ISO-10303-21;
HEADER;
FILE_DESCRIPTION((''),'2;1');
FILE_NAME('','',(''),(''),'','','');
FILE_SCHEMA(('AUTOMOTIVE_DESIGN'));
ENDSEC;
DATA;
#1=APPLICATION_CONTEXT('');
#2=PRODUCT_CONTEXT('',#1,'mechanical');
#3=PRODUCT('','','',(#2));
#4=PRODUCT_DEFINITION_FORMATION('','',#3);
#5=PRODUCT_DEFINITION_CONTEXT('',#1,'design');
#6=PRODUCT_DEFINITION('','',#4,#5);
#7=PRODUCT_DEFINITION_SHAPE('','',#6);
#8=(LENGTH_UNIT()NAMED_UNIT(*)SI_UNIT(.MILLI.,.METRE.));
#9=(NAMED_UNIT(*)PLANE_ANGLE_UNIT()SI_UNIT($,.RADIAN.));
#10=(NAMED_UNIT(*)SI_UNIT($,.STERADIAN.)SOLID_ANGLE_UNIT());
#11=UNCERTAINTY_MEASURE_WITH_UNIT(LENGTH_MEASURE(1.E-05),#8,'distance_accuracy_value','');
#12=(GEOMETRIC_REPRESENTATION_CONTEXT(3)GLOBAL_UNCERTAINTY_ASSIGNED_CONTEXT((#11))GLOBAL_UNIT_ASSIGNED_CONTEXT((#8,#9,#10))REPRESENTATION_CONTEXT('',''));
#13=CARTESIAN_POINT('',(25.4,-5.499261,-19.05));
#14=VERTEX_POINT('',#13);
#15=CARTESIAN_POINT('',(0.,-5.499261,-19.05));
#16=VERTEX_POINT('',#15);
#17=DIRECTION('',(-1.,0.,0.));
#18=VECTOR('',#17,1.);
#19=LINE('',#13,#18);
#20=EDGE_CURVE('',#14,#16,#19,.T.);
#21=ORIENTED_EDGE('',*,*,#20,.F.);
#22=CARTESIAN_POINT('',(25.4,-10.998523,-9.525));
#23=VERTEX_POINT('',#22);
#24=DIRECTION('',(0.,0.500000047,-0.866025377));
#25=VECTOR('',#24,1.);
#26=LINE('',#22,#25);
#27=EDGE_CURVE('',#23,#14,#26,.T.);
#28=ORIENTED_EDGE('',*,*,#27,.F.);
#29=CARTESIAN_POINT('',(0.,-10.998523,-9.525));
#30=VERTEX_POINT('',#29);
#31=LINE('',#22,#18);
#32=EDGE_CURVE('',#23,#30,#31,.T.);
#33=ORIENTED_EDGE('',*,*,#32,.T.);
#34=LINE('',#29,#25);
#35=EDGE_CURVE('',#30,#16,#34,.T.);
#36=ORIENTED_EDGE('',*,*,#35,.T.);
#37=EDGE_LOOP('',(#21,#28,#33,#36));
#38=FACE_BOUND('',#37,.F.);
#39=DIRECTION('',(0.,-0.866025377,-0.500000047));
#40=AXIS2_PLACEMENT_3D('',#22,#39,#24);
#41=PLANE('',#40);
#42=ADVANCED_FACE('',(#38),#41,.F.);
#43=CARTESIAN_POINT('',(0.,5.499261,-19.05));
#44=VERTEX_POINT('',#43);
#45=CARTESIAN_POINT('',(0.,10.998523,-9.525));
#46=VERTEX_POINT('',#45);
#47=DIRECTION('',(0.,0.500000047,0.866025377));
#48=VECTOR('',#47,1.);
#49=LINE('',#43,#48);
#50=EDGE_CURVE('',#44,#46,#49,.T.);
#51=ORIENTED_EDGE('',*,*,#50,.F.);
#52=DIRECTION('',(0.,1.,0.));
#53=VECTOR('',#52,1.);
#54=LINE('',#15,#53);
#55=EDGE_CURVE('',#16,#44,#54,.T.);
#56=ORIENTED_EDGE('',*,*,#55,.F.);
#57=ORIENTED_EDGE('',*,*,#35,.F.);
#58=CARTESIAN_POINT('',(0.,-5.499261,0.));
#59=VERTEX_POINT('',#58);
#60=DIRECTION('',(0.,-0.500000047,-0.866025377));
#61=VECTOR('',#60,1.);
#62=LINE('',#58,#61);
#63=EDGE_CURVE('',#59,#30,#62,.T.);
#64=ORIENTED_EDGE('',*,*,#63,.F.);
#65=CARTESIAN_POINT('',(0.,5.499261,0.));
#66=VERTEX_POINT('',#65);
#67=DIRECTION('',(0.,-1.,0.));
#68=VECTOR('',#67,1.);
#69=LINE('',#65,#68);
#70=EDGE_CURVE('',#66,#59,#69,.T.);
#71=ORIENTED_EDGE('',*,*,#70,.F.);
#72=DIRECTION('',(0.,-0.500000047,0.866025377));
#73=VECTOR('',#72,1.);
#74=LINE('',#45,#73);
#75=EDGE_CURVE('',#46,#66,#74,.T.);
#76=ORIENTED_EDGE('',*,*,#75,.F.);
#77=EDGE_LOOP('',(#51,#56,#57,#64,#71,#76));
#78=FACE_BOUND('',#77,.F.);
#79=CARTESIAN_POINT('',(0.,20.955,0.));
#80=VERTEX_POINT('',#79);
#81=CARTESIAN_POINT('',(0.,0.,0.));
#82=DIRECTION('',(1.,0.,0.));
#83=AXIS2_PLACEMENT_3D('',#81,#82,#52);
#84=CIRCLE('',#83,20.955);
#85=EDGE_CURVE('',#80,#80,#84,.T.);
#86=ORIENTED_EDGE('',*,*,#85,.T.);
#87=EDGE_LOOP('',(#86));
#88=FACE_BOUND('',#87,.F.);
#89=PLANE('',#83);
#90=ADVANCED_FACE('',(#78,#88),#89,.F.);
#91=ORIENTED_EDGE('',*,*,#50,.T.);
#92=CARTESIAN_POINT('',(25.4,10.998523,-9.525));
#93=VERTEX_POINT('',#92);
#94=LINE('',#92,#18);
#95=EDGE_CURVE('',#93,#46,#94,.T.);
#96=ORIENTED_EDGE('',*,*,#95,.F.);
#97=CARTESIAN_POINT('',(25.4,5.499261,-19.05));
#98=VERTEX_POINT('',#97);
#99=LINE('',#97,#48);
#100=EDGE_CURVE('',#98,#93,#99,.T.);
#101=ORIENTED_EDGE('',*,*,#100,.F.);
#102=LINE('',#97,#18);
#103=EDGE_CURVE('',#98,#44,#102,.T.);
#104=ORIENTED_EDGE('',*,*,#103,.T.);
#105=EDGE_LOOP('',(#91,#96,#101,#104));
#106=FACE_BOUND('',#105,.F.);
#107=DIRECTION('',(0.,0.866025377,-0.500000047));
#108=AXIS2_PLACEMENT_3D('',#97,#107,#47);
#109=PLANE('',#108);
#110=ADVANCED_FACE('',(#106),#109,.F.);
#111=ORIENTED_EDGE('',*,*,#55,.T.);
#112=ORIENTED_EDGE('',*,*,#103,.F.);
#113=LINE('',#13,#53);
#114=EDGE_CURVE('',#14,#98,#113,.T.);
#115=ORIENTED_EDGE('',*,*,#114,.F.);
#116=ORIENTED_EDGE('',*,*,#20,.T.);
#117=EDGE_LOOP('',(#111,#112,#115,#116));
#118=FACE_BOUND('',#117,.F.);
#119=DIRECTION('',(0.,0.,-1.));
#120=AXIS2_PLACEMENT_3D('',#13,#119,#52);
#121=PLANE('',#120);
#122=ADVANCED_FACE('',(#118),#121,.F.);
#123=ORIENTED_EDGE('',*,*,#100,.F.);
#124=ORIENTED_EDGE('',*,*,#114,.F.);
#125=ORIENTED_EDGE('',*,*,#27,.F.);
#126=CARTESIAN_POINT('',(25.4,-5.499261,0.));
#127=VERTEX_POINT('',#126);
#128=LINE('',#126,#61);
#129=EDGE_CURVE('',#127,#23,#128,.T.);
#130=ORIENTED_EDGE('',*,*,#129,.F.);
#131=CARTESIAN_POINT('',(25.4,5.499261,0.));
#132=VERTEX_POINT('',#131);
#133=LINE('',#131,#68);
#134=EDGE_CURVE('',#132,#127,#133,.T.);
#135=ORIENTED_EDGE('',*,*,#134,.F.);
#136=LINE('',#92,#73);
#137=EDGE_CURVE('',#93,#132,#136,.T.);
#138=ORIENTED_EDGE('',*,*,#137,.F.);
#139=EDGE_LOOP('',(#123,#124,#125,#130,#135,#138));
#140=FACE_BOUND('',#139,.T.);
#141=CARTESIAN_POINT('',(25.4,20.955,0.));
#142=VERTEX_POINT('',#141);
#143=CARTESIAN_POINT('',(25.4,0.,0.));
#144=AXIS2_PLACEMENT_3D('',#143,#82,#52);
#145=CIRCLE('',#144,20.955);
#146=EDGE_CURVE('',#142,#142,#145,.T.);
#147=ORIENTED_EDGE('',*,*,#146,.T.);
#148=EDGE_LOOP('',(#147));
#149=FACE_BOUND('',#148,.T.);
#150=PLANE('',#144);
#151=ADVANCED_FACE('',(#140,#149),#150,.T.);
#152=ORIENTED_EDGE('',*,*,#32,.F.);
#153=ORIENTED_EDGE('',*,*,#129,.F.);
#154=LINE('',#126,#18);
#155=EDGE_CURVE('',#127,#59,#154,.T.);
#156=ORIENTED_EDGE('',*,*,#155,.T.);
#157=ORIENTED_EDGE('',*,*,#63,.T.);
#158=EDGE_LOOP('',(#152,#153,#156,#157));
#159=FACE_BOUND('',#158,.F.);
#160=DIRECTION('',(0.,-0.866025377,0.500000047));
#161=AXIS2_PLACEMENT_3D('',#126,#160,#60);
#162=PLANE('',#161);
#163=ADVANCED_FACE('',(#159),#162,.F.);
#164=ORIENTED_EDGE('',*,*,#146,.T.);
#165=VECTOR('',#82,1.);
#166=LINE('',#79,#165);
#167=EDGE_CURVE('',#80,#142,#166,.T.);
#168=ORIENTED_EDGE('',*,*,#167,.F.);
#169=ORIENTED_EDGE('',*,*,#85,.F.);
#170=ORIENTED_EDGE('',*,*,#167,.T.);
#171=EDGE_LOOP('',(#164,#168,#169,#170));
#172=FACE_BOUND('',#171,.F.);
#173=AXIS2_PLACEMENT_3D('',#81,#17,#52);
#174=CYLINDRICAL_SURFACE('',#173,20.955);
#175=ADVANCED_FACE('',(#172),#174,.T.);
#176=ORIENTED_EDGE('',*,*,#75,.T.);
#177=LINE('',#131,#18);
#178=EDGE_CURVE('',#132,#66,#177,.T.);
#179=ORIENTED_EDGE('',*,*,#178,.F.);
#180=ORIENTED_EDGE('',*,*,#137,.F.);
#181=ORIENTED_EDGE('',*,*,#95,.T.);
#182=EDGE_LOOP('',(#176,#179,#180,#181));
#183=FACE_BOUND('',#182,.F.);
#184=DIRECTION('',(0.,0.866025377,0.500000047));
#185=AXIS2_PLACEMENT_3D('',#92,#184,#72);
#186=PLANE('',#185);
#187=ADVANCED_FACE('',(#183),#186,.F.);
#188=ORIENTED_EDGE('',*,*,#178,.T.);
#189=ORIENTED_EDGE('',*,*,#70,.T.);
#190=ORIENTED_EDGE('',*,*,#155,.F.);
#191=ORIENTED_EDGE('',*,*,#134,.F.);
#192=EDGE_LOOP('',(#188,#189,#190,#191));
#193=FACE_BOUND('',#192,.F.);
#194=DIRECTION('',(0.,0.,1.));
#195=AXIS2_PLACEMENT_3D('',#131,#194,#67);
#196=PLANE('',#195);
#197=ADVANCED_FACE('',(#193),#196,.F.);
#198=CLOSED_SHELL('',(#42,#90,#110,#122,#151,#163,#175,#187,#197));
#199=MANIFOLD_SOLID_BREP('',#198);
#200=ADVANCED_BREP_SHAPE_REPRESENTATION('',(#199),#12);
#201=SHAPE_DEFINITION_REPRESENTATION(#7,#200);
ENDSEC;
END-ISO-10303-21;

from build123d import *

# Parameters (mm, degrees)
F0_R     = 20.955
F1_DEPTH = 25.4
F3_DEPTH = 25.4


with BuildPart() as f1:
    # F0 (on Right) → F1 (new body)
    with BuildSketch(Plane.YZ):
        Circle(F0_R)
    extrude(amount=F1_DEPTH)

    # F2 (on face) → F3 (cut)
    with BuildSketch(Plane.YZ.offset(25.4)):
        Polygon((0, -9.525), (0, 0), (-5.499261, 0), (-10.998523, -9.525), (-5.499261, -19.05), (0, -19.05), align=None)
        Polygon((5.499261, 0), (0, 0), (0, -9.525), (0, -19.05), (5.499261, -19.05), (10.998523, -9.525), align=None)
    extrude(amount=-F3_DEPTH, mode=Mode.SUBTRACT)


solid = f1.part
